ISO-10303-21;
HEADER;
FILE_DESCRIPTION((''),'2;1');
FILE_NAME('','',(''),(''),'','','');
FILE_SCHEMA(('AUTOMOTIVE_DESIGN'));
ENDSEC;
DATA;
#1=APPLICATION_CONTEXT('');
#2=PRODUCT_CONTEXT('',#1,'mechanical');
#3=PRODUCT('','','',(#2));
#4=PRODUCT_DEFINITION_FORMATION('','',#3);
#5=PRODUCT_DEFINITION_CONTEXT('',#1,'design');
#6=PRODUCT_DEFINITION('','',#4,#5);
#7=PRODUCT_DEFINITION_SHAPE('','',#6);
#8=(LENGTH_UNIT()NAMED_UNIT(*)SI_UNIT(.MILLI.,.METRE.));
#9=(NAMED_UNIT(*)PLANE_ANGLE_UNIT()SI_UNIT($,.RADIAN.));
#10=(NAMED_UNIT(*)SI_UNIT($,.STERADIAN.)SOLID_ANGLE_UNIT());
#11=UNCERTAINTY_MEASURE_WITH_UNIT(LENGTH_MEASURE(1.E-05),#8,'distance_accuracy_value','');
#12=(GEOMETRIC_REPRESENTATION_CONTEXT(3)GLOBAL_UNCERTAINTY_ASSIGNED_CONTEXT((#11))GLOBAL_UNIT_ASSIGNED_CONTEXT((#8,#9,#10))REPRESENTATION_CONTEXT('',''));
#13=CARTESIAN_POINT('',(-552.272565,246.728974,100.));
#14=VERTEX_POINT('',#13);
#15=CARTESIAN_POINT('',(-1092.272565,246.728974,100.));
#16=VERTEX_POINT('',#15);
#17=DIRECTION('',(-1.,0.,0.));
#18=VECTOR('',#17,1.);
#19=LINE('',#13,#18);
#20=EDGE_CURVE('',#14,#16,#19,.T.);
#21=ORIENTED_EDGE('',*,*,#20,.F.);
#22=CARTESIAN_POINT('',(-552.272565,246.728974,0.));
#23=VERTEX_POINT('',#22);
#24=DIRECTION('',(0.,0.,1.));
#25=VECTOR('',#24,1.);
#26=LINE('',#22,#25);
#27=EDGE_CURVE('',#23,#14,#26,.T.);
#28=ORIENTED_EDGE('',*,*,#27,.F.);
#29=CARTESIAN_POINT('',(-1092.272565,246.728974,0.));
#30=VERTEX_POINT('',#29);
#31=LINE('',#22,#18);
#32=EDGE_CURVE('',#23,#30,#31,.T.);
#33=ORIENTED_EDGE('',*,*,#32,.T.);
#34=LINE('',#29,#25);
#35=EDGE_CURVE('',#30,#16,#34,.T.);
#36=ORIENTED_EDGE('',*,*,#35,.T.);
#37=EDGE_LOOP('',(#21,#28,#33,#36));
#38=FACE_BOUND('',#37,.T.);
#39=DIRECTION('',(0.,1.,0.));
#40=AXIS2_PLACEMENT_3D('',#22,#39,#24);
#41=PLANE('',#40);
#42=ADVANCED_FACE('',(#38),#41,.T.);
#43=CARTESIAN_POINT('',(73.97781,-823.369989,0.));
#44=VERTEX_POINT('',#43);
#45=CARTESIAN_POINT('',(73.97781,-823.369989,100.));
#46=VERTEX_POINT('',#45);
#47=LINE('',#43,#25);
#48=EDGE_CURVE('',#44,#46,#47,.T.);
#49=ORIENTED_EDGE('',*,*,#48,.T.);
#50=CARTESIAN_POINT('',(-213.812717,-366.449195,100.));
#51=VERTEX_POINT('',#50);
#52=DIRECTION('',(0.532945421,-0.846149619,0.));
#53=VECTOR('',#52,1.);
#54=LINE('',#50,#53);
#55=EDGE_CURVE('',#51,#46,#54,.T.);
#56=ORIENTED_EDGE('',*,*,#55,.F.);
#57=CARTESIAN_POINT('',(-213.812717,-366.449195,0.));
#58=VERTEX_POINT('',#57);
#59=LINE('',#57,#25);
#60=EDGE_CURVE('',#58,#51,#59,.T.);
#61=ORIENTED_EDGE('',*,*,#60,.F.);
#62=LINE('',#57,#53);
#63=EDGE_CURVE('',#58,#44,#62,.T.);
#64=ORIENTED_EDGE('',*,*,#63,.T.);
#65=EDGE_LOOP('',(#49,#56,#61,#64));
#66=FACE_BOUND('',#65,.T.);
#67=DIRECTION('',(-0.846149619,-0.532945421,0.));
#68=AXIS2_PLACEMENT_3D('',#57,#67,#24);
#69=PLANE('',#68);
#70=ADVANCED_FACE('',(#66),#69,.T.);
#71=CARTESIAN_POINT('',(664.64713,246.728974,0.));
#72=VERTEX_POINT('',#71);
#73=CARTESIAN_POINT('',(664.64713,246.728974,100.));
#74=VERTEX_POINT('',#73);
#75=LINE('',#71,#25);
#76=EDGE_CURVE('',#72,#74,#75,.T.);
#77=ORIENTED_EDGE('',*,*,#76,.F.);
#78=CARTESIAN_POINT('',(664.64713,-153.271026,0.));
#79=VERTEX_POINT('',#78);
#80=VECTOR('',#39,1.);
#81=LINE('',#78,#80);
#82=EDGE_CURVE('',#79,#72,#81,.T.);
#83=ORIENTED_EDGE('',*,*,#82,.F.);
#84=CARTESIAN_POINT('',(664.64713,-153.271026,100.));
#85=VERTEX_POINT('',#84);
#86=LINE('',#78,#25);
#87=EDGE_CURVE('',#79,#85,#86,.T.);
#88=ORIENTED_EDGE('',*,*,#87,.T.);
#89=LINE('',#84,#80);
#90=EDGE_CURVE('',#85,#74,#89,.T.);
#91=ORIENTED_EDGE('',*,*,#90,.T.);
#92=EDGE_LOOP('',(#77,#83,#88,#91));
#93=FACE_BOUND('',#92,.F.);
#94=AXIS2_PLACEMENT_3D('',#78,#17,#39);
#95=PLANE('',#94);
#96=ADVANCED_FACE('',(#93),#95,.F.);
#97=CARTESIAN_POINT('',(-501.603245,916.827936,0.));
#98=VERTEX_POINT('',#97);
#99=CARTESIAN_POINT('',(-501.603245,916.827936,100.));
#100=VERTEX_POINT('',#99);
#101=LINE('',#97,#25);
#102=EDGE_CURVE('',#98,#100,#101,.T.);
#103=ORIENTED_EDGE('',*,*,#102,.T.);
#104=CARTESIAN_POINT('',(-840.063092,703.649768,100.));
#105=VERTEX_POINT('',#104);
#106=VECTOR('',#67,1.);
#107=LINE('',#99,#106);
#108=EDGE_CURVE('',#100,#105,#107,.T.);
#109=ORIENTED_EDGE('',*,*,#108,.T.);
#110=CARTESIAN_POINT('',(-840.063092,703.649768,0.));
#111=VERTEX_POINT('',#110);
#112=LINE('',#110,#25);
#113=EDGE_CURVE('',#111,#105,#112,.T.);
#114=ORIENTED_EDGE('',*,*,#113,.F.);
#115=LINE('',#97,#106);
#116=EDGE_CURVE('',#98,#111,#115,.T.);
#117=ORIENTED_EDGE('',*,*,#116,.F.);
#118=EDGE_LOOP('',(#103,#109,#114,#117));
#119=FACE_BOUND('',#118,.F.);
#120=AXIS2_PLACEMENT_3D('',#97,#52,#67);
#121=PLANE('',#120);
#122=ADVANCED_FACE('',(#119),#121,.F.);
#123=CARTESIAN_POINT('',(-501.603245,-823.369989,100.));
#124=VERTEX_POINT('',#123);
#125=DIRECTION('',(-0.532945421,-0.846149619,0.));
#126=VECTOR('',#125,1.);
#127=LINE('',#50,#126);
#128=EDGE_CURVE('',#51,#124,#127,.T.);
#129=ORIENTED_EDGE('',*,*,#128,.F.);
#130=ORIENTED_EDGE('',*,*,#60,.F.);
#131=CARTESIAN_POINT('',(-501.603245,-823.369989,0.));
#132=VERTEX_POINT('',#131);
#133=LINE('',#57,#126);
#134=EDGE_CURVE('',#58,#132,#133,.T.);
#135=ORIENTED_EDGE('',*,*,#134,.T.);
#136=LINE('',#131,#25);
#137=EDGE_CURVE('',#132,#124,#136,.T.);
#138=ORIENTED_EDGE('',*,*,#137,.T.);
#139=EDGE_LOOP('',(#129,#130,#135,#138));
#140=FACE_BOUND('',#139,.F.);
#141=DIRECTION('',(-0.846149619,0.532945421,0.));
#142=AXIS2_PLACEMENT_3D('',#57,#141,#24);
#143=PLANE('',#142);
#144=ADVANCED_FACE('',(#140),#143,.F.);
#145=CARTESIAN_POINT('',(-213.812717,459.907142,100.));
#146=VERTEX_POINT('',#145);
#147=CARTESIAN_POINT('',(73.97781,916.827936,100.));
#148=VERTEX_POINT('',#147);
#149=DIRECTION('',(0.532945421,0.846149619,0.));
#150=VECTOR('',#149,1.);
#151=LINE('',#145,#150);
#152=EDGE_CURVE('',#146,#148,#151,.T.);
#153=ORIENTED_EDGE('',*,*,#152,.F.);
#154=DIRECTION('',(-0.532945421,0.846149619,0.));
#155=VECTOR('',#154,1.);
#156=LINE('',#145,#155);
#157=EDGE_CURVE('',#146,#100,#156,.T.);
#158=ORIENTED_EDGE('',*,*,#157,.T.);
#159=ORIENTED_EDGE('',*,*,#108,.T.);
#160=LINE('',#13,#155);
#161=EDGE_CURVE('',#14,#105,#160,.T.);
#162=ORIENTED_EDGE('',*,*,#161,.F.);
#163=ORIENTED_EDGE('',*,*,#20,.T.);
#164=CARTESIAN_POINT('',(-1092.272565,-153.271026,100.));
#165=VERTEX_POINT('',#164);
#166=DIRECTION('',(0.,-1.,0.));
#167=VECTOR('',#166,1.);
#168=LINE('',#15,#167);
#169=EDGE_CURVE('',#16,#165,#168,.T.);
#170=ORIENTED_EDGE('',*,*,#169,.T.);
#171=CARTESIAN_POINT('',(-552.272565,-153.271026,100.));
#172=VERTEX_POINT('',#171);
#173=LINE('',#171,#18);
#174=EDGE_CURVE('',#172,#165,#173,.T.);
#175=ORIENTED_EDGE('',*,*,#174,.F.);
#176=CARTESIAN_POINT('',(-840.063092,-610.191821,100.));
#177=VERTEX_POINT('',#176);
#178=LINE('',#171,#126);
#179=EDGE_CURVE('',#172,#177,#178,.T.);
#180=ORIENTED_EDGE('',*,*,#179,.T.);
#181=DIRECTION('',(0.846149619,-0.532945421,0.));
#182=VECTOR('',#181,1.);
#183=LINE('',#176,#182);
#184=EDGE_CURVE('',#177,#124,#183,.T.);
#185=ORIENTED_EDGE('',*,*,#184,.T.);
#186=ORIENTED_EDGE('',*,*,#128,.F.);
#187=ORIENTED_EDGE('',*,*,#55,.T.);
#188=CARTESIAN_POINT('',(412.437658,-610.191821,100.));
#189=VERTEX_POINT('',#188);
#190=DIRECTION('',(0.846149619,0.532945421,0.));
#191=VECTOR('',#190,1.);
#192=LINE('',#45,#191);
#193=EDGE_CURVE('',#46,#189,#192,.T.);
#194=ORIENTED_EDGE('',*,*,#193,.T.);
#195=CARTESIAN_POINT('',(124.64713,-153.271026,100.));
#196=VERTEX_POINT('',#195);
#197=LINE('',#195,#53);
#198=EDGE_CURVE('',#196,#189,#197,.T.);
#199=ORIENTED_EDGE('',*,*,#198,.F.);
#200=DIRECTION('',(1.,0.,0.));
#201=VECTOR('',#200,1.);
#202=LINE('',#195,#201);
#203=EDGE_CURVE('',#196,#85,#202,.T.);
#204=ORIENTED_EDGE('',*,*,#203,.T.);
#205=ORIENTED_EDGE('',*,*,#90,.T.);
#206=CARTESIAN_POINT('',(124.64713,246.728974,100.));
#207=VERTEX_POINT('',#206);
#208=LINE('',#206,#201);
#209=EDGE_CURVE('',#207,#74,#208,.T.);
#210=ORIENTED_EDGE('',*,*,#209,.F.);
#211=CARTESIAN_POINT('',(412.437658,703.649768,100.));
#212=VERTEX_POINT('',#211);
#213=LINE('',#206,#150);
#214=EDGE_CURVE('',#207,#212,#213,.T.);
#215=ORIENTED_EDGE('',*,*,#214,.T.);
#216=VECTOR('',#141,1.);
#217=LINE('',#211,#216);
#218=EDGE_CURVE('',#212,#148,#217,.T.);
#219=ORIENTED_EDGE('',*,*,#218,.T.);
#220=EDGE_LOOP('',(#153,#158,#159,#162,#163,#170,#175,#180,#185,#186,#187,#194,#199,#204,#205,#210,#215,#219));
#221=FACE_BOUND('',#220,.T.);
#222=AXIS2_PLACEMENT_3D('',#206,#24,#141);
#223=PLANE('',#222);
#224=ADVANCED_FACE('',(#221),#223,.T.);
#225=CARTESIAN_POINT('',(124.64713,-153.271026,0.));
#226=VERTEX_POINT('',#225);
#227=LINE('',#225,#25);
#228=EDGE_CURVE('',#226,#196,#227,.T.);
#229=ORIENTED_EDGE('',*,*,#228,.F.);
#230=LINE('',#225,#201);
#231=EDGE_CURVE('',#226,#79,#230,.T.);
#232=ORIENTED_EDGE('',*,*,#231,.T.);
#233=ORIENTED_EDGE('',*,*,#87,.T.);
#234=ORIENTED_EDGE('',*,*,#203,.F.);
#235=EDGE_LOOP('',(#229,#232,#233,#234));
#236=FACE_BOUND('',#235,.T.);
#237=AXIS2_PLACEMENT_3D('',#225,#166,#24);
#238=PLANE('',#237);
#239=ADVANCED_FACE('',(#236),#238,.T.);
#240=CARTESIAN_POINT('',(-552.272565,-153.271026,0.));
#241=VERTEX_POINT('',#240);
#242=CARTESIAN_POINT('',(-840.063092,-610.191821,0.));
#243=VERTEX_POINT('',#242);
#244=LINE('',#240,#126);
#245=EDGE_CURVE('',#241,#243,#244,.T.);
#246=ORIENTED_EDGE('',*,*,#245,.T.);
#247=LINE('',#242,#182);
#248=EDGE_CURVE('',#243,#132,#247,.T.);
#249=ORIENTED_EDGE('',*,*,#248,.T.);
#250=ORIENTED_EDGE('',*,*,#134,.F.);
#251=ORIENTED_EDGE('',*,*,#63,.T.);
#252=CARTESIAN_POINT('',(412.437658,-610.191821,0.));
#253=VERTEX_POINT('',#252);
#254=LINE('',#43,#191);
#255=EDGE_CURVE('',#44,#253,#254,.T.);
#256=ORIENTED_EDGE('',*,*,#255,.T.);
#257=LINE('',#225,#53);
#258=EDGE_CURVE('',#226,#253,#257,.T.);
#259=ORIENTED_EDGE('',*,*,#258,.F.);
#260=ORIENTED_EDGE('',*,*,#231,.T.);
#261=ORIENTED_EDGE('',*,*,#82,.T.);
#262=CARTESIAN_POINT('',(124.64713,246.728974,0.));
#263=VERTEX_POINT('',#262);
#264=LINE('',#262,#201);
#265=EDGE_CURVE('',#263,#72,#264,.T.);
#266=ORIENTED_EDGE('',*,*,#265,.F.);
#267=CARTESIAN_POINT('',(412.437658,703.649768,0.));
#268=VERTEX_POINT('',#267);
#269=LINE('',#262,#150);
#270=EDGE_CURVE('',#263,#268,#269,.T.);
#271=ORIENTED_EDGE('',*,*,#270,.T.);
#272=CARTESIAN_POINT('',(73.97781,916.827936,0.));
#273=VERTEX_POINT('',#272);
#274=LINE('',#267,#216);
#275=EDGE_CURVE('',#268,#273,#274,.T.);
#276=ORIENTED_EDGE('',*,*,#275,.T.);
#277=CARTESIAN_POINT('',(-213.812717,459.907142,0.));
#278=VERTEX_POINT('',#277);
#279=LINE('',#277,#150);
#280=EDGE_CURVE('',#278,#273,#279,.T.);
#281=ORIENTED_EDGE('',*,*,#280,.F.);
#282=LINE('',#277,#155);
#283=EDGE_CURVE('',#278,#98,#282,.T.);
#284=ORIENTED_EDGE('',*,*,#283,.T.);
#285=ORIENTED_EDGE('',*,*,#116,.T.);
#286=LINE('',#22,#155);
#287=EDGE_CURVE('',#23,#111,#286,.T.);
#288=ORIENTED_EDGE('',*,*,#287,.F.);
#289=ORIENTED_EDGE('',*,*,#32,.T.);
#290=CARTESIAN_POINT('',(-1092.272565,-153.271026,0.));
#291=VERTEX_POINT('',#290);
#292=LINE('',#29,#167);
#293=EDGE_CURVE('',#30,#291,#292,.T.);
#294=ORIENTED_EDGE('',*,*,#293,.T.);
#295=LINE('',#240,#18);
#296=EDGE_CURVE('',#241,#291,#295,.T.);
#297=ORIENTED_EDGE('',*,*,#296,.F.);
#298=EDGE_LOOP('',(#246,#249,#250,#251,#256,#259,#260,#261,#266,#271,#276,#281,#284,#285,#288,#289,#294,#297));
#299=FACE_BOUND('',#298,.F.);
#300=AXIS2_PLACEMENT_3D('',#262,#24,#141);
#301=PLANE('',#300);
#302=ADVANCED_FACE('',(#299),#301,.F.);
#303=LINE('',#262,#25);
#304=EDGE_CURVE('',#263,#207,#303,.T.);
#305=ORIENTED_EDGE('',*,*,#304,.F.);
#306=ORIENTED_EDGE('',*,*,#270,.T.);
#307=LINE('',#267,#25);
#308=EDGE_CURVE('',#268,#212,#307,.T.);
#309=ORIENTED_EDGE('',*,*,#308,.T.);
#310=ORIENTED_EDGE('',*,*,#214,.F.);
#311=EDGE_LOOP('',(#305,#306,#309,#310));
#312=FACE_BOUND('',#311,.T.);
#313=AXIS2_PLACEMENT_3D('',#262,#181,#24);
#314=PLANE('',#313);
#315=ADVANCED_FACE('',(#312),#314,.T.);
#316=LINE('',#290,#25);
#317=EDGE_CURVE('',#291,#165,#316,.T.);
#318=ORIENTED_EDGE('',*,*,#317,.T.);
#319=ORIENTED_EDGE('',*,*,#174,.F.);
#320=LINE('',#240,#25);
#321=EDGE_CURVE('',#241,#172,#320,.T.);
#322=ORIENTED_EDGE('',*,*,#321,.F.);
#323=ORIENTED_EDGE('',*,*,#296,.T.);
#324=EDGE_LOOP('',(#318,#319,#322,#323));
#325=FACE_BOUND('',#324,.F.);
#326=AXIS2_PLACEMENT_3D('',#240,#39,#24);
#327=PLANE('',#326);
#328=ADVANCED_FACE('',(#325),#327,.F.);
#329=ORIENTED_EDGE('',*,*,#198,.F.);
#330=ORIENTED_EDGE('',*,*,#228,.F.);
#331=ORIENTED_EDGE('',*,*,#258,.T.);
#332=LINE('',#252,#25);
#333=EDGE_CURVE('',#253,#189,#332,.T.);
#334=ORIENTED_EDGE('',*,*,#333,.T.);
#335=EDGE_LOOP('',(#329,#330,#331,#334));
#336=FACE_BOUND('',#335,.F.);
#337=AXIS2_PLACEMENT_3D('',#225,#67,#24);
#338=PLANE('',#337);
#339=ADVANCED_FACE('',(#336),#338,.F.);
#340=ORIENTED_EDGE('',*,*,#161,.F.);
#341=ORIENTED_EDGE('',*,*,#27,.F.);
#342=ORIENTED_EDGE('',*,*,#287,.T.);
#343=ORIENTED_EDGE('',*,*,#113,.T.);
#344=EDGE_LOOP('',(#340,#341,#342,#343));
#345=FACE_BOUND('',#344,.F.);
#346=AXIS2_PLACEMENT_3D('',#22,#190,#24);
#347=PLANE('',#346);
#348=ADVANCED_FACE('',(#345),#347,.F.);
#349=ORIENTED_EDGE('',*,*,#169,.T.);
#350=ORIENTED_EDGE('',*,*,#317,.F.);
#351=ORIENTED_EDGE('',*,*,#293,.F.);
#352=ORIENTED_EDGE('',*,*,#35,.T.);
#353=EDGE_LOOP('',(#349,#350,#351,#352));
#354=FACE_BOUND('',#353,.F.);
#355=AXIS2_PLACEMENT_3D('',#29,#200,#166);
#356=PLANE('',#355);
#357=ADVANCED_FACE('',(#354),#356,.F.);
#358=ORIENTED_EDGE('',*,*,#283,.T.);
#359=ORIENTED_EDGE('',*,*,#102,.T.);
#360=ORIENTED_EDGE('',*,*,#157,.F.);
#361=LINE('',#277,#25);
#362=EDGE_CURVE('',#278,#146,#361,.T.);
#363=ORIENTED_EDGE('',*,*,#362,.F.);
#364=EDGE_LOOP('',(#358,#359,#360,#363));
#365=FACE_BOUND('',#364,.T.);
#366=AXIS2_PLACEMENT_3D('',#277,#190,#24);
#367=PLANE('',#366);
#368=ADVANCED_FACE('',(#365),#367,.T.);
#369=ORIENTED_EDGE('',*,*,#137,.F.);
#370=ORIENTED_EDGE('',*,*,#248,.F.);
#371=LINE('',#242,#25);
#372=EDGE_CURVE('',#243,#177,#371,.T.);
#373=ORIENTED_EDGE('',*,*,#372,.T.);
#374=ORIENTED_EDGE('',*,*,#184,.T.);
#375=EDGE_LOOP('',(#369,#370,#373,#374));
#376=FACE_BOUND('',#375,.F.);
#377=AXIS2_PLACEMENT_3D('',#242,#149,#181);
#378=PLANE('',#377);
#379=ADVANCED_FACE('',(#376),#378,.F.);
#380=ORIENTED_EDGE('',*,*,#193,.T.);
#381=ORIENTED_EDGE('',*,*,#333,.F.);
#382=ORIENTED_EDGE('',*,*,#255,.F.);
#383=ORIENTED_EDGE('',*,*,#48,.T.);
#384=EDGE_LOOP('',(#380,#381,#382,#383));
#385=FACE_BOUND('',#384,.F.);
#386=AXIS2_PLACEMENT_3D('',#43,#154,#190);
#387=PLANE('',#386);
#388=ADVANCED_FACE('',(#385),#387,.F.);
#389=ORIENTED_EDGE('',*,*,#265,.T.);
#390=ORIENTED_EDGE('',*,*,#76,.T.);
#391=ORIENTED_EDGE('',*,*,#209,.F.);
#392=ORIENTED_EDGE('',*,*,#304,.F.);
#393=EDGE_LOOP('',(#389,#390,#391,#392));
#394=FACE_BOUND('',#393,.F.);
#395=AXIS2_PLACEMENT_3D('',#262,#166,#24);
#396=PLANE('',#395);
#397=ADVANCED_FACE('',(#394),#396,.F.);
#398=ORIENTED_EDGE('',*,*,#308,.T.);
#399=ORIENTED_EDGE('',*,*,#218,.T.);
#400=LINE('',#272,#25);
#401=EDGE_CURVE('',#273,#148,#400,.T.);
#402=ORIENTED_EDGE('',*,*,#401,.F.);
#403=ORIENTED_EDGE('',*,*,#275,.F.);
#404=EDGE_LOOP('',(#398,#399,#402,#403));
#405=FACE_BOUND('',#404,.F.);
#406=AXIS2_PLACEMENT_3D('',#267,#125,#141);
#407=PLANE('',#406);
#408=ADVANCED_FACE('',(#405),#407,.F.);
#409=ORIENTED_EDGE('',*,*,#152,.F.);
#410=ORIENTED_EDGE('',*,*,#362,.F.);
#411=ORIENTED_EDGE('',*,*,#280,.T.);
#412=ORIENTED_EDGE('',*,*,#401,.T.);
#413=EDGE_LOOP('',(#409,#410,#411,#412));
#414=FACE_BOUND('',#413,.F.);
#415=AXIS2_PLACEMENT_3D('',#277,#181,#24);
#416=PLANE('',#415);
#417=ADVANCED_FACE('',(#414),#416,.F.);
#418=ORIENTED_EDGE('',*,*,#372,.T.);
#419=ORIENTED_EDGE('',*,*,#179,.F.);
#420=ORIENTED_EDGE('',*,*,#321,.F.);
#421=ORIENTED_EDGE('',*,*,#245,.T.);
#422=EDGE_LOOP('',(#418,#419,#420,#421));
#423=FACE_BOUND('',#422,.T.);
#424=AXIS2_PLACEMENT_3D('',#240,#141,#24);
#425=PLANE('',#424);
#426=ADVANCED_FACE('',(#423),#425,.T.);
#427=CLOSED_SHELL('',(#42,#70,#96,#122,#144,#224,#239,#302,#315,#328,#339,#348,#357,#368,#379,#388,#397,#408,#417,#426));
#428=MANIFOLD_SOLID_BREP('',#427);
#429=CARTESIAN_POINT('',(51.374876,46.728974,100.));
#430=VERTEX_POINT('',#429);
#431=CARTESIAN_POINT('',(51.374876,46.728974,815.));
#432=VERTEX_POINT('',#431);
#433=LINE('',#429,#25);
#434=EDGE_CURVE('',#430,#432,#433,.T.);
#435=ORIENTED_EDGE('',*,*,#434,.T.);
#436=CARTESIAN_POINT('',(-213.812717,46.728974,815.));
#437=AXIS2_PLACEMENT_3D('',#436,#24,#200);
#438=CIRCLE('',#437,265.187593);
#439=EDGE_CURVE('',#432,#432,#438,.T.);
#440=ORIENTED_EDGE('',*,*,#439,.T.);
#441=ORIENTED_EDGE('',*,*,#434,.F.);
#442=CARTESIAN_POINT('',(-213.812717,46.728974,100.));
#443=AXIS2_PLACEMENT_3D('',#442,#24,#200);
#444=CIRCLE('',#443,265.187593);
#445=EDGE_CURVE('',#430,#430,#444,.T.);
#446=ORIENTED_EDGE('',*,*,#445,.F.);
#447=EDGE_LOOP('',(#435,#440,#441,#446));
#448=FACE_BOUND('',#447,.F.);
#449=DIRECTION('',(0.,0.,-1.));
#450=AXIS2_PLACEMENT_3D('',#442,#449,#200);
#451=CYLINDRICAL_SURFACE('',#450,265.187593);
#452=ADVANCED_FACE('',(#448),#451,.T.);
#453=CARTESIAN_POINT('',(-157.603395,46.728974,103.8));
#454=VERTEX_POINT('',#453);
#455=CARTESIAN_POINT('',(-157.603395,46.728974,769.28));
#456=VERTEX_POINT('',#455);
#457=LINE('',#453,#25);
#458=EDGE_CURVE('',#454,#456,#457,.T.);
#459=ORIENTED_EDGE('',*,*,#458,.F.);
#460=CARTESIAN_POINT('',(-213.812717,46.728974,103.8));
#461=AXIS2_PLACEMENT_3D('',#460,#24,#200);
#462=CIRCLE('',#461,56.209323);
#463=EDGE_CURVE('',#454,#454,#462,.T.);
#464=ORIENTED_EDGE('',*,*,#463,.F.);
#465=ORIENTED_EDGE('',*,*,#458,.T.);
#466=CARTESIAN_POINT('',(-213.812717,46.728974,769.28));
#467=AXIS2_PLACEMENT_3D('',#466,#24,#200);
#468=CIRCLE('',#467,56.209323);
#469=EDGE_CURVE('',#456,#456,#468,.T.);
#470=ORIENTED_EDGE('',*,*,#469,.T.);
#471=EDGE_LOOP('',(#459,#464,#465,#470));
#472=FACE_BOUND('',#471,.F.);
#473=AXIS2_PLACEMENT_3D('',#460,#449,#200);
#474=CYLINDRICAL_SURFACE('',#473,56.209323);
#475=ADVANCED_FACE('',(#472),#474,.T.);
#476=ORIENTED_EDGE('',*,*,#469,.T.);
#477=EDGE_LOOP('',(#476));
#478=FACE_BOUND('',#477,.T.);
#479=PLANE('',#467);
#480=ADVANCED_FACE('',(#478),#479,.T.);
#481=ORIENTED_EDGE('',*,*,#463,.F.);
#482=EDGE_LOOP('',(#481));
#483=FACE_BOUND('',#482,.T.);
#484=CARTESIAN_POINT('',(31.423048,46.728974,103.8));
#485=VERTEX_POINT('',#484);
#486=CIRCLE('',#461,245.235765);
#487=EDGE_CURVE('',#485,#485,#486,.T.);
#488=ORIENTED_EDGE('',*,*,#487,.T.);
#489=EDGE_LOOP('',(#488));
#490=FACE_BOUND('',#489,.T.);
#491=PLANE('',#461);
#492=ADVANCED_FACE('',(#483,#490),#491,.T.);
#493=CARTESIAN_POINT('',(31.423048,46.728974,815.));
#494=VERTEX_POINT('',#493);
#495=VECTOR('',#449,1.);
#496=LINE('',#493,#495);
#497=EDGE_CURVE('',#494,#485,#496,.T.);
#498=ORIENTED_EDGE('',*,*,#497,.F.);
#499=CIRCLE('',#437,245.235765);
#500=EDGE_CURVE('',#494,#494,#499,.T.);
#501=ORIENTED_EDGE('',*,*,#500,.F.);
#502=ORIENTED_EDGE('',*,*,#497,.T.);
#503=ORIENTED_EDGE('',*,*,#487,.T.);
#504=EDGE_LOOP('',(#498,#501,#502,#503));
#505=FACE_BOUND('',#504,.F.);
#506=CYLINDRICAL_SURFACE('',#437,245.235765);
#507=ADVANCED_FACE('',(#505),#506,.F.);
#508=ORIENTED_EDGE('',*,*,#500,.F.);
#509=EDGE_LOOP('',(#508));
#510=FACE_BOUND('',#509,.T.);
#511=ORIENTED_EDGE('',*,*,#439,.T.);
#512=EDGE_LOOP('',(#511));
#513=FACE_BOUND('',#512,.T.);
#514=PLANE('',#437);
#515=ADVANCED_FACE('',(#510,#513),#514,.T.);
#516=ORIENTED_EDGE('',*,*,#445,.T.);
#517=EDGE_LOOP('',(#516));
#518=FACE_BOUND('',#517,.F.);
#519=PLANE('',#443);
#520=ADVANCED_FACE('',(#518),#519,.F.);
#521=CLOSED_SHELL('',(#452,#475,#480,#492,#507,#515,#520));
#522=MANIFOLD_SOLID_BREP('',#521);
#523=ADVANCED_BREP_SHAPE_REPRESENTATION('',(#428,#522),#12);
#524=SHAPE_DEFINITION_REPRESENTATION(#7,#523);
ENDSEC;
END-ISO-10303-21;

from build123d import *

# Parameters (mm, degrees)
F1_DEPTH  = 100
F2_R      = 265.1875934323
F3_DEPTH  = 715
F4_DEPTH  = 540
F5_DEPTH  = 540
F6_DEPTH  = 540
F7_DEPTH  = 540
F8_DEPTH  = 540
F9_DEPTH  = 540
F10_R     = 245.2357651559
F11_DEPTH = 711.2
F12_R     = 56.2093227212
F13_DEPTH = 665.48


with BuildPart() as f1:
    # F0 (on Top) → F1 (new body)
    with BuildSketch(Plane.XY):
        Polygon((124.6471304007, -153.2710264661), (124.6471304007, 246.7289735339), (-213.8127173087, 459.9071419483), (-552.2725650182, 246.7289735339), (-552.2725650182, -153.2710264661), (-213.8127173087, -366.4491948805), align=None)
    extrude(amount=F1_DEPTH)

    # F4 (add): a face of the model
    f4_faces = [f1.faces().sort_by_distance(p)[0] for p in [
        (-44.582793454, -259.8601106733, 50),
    ]]
    extrude(f4_faces, amount=F4_DEPTH)

    # F5 (add): a face of the model
    f5_faces = [f1.faces().sort_by_distance(p)[0] for p in [
        (124.6471304007, 46.7289735339, 50),
    ]]
    extrude(f5_faces, amount=F5_DEPTH)

    # F6 (add): a face of the model
    f6_faces = [f1.faces().sort_by_distance(p)[0] for p in [
        (-383.0426411634, -259.8601106733, 50),
    ]]
    extrude(f6_faces, amount=F6_DEPTH)

    # F7 (add): a face of the model
    f7_faces = [f1.faces().sort_by_distance(p)[0] for p in [
        (-552.2725650182, 46.7289735339, 50),
    ]]
    extrude(f7_faces, amount=F7_DEPTH)

    # F8 (add): a face of the model
    f8_faces = [f1.faces().sort_by_distance(p)[0] for p in [
        (-383.0426411634, 353.3180577411, 50),
    ]]
    extrude(f8_faces, amount=F8_DEPTH)

    # F9 (add): a face of the model
    f9_faces = [f1.faces().sort_by_distance(p)[0] for p in [
        (-44.582793454, 353.3180577411, 50),
    ]]
    extrude(f9_faces, amount=F9_DEPTH)


with BuildPart() as f3:
    # F2 (on face) → F3 (new body)
    with BuildSketch(Plane.XY.offset(100)):
        with Locations((-213.8127173087, 46.7289735339)):
            Circle(F2_R)
    extrude(amount=F3_DEPTH)

    # F10 (on face) → F11 (cut)
    with BuildSketch(Plane.XY.offset(815)):
        with Locations((-213.8127173087, 46.7289735339)):
            Circle(F10_R)
    extrude(amount=-F11_DEPTH, mode=Mode.SUBTRACT)

    # F12 (on face) → F13 (join)
    with BuildSketch(Plane.XY.offset(103.8)):
        with Locations((-213.8127173087, 46.7289735339)):
            Circle(F12_R)
    extrude(amount=F13_DEPTH)


solid = Compound([f1.part, f3.part])
